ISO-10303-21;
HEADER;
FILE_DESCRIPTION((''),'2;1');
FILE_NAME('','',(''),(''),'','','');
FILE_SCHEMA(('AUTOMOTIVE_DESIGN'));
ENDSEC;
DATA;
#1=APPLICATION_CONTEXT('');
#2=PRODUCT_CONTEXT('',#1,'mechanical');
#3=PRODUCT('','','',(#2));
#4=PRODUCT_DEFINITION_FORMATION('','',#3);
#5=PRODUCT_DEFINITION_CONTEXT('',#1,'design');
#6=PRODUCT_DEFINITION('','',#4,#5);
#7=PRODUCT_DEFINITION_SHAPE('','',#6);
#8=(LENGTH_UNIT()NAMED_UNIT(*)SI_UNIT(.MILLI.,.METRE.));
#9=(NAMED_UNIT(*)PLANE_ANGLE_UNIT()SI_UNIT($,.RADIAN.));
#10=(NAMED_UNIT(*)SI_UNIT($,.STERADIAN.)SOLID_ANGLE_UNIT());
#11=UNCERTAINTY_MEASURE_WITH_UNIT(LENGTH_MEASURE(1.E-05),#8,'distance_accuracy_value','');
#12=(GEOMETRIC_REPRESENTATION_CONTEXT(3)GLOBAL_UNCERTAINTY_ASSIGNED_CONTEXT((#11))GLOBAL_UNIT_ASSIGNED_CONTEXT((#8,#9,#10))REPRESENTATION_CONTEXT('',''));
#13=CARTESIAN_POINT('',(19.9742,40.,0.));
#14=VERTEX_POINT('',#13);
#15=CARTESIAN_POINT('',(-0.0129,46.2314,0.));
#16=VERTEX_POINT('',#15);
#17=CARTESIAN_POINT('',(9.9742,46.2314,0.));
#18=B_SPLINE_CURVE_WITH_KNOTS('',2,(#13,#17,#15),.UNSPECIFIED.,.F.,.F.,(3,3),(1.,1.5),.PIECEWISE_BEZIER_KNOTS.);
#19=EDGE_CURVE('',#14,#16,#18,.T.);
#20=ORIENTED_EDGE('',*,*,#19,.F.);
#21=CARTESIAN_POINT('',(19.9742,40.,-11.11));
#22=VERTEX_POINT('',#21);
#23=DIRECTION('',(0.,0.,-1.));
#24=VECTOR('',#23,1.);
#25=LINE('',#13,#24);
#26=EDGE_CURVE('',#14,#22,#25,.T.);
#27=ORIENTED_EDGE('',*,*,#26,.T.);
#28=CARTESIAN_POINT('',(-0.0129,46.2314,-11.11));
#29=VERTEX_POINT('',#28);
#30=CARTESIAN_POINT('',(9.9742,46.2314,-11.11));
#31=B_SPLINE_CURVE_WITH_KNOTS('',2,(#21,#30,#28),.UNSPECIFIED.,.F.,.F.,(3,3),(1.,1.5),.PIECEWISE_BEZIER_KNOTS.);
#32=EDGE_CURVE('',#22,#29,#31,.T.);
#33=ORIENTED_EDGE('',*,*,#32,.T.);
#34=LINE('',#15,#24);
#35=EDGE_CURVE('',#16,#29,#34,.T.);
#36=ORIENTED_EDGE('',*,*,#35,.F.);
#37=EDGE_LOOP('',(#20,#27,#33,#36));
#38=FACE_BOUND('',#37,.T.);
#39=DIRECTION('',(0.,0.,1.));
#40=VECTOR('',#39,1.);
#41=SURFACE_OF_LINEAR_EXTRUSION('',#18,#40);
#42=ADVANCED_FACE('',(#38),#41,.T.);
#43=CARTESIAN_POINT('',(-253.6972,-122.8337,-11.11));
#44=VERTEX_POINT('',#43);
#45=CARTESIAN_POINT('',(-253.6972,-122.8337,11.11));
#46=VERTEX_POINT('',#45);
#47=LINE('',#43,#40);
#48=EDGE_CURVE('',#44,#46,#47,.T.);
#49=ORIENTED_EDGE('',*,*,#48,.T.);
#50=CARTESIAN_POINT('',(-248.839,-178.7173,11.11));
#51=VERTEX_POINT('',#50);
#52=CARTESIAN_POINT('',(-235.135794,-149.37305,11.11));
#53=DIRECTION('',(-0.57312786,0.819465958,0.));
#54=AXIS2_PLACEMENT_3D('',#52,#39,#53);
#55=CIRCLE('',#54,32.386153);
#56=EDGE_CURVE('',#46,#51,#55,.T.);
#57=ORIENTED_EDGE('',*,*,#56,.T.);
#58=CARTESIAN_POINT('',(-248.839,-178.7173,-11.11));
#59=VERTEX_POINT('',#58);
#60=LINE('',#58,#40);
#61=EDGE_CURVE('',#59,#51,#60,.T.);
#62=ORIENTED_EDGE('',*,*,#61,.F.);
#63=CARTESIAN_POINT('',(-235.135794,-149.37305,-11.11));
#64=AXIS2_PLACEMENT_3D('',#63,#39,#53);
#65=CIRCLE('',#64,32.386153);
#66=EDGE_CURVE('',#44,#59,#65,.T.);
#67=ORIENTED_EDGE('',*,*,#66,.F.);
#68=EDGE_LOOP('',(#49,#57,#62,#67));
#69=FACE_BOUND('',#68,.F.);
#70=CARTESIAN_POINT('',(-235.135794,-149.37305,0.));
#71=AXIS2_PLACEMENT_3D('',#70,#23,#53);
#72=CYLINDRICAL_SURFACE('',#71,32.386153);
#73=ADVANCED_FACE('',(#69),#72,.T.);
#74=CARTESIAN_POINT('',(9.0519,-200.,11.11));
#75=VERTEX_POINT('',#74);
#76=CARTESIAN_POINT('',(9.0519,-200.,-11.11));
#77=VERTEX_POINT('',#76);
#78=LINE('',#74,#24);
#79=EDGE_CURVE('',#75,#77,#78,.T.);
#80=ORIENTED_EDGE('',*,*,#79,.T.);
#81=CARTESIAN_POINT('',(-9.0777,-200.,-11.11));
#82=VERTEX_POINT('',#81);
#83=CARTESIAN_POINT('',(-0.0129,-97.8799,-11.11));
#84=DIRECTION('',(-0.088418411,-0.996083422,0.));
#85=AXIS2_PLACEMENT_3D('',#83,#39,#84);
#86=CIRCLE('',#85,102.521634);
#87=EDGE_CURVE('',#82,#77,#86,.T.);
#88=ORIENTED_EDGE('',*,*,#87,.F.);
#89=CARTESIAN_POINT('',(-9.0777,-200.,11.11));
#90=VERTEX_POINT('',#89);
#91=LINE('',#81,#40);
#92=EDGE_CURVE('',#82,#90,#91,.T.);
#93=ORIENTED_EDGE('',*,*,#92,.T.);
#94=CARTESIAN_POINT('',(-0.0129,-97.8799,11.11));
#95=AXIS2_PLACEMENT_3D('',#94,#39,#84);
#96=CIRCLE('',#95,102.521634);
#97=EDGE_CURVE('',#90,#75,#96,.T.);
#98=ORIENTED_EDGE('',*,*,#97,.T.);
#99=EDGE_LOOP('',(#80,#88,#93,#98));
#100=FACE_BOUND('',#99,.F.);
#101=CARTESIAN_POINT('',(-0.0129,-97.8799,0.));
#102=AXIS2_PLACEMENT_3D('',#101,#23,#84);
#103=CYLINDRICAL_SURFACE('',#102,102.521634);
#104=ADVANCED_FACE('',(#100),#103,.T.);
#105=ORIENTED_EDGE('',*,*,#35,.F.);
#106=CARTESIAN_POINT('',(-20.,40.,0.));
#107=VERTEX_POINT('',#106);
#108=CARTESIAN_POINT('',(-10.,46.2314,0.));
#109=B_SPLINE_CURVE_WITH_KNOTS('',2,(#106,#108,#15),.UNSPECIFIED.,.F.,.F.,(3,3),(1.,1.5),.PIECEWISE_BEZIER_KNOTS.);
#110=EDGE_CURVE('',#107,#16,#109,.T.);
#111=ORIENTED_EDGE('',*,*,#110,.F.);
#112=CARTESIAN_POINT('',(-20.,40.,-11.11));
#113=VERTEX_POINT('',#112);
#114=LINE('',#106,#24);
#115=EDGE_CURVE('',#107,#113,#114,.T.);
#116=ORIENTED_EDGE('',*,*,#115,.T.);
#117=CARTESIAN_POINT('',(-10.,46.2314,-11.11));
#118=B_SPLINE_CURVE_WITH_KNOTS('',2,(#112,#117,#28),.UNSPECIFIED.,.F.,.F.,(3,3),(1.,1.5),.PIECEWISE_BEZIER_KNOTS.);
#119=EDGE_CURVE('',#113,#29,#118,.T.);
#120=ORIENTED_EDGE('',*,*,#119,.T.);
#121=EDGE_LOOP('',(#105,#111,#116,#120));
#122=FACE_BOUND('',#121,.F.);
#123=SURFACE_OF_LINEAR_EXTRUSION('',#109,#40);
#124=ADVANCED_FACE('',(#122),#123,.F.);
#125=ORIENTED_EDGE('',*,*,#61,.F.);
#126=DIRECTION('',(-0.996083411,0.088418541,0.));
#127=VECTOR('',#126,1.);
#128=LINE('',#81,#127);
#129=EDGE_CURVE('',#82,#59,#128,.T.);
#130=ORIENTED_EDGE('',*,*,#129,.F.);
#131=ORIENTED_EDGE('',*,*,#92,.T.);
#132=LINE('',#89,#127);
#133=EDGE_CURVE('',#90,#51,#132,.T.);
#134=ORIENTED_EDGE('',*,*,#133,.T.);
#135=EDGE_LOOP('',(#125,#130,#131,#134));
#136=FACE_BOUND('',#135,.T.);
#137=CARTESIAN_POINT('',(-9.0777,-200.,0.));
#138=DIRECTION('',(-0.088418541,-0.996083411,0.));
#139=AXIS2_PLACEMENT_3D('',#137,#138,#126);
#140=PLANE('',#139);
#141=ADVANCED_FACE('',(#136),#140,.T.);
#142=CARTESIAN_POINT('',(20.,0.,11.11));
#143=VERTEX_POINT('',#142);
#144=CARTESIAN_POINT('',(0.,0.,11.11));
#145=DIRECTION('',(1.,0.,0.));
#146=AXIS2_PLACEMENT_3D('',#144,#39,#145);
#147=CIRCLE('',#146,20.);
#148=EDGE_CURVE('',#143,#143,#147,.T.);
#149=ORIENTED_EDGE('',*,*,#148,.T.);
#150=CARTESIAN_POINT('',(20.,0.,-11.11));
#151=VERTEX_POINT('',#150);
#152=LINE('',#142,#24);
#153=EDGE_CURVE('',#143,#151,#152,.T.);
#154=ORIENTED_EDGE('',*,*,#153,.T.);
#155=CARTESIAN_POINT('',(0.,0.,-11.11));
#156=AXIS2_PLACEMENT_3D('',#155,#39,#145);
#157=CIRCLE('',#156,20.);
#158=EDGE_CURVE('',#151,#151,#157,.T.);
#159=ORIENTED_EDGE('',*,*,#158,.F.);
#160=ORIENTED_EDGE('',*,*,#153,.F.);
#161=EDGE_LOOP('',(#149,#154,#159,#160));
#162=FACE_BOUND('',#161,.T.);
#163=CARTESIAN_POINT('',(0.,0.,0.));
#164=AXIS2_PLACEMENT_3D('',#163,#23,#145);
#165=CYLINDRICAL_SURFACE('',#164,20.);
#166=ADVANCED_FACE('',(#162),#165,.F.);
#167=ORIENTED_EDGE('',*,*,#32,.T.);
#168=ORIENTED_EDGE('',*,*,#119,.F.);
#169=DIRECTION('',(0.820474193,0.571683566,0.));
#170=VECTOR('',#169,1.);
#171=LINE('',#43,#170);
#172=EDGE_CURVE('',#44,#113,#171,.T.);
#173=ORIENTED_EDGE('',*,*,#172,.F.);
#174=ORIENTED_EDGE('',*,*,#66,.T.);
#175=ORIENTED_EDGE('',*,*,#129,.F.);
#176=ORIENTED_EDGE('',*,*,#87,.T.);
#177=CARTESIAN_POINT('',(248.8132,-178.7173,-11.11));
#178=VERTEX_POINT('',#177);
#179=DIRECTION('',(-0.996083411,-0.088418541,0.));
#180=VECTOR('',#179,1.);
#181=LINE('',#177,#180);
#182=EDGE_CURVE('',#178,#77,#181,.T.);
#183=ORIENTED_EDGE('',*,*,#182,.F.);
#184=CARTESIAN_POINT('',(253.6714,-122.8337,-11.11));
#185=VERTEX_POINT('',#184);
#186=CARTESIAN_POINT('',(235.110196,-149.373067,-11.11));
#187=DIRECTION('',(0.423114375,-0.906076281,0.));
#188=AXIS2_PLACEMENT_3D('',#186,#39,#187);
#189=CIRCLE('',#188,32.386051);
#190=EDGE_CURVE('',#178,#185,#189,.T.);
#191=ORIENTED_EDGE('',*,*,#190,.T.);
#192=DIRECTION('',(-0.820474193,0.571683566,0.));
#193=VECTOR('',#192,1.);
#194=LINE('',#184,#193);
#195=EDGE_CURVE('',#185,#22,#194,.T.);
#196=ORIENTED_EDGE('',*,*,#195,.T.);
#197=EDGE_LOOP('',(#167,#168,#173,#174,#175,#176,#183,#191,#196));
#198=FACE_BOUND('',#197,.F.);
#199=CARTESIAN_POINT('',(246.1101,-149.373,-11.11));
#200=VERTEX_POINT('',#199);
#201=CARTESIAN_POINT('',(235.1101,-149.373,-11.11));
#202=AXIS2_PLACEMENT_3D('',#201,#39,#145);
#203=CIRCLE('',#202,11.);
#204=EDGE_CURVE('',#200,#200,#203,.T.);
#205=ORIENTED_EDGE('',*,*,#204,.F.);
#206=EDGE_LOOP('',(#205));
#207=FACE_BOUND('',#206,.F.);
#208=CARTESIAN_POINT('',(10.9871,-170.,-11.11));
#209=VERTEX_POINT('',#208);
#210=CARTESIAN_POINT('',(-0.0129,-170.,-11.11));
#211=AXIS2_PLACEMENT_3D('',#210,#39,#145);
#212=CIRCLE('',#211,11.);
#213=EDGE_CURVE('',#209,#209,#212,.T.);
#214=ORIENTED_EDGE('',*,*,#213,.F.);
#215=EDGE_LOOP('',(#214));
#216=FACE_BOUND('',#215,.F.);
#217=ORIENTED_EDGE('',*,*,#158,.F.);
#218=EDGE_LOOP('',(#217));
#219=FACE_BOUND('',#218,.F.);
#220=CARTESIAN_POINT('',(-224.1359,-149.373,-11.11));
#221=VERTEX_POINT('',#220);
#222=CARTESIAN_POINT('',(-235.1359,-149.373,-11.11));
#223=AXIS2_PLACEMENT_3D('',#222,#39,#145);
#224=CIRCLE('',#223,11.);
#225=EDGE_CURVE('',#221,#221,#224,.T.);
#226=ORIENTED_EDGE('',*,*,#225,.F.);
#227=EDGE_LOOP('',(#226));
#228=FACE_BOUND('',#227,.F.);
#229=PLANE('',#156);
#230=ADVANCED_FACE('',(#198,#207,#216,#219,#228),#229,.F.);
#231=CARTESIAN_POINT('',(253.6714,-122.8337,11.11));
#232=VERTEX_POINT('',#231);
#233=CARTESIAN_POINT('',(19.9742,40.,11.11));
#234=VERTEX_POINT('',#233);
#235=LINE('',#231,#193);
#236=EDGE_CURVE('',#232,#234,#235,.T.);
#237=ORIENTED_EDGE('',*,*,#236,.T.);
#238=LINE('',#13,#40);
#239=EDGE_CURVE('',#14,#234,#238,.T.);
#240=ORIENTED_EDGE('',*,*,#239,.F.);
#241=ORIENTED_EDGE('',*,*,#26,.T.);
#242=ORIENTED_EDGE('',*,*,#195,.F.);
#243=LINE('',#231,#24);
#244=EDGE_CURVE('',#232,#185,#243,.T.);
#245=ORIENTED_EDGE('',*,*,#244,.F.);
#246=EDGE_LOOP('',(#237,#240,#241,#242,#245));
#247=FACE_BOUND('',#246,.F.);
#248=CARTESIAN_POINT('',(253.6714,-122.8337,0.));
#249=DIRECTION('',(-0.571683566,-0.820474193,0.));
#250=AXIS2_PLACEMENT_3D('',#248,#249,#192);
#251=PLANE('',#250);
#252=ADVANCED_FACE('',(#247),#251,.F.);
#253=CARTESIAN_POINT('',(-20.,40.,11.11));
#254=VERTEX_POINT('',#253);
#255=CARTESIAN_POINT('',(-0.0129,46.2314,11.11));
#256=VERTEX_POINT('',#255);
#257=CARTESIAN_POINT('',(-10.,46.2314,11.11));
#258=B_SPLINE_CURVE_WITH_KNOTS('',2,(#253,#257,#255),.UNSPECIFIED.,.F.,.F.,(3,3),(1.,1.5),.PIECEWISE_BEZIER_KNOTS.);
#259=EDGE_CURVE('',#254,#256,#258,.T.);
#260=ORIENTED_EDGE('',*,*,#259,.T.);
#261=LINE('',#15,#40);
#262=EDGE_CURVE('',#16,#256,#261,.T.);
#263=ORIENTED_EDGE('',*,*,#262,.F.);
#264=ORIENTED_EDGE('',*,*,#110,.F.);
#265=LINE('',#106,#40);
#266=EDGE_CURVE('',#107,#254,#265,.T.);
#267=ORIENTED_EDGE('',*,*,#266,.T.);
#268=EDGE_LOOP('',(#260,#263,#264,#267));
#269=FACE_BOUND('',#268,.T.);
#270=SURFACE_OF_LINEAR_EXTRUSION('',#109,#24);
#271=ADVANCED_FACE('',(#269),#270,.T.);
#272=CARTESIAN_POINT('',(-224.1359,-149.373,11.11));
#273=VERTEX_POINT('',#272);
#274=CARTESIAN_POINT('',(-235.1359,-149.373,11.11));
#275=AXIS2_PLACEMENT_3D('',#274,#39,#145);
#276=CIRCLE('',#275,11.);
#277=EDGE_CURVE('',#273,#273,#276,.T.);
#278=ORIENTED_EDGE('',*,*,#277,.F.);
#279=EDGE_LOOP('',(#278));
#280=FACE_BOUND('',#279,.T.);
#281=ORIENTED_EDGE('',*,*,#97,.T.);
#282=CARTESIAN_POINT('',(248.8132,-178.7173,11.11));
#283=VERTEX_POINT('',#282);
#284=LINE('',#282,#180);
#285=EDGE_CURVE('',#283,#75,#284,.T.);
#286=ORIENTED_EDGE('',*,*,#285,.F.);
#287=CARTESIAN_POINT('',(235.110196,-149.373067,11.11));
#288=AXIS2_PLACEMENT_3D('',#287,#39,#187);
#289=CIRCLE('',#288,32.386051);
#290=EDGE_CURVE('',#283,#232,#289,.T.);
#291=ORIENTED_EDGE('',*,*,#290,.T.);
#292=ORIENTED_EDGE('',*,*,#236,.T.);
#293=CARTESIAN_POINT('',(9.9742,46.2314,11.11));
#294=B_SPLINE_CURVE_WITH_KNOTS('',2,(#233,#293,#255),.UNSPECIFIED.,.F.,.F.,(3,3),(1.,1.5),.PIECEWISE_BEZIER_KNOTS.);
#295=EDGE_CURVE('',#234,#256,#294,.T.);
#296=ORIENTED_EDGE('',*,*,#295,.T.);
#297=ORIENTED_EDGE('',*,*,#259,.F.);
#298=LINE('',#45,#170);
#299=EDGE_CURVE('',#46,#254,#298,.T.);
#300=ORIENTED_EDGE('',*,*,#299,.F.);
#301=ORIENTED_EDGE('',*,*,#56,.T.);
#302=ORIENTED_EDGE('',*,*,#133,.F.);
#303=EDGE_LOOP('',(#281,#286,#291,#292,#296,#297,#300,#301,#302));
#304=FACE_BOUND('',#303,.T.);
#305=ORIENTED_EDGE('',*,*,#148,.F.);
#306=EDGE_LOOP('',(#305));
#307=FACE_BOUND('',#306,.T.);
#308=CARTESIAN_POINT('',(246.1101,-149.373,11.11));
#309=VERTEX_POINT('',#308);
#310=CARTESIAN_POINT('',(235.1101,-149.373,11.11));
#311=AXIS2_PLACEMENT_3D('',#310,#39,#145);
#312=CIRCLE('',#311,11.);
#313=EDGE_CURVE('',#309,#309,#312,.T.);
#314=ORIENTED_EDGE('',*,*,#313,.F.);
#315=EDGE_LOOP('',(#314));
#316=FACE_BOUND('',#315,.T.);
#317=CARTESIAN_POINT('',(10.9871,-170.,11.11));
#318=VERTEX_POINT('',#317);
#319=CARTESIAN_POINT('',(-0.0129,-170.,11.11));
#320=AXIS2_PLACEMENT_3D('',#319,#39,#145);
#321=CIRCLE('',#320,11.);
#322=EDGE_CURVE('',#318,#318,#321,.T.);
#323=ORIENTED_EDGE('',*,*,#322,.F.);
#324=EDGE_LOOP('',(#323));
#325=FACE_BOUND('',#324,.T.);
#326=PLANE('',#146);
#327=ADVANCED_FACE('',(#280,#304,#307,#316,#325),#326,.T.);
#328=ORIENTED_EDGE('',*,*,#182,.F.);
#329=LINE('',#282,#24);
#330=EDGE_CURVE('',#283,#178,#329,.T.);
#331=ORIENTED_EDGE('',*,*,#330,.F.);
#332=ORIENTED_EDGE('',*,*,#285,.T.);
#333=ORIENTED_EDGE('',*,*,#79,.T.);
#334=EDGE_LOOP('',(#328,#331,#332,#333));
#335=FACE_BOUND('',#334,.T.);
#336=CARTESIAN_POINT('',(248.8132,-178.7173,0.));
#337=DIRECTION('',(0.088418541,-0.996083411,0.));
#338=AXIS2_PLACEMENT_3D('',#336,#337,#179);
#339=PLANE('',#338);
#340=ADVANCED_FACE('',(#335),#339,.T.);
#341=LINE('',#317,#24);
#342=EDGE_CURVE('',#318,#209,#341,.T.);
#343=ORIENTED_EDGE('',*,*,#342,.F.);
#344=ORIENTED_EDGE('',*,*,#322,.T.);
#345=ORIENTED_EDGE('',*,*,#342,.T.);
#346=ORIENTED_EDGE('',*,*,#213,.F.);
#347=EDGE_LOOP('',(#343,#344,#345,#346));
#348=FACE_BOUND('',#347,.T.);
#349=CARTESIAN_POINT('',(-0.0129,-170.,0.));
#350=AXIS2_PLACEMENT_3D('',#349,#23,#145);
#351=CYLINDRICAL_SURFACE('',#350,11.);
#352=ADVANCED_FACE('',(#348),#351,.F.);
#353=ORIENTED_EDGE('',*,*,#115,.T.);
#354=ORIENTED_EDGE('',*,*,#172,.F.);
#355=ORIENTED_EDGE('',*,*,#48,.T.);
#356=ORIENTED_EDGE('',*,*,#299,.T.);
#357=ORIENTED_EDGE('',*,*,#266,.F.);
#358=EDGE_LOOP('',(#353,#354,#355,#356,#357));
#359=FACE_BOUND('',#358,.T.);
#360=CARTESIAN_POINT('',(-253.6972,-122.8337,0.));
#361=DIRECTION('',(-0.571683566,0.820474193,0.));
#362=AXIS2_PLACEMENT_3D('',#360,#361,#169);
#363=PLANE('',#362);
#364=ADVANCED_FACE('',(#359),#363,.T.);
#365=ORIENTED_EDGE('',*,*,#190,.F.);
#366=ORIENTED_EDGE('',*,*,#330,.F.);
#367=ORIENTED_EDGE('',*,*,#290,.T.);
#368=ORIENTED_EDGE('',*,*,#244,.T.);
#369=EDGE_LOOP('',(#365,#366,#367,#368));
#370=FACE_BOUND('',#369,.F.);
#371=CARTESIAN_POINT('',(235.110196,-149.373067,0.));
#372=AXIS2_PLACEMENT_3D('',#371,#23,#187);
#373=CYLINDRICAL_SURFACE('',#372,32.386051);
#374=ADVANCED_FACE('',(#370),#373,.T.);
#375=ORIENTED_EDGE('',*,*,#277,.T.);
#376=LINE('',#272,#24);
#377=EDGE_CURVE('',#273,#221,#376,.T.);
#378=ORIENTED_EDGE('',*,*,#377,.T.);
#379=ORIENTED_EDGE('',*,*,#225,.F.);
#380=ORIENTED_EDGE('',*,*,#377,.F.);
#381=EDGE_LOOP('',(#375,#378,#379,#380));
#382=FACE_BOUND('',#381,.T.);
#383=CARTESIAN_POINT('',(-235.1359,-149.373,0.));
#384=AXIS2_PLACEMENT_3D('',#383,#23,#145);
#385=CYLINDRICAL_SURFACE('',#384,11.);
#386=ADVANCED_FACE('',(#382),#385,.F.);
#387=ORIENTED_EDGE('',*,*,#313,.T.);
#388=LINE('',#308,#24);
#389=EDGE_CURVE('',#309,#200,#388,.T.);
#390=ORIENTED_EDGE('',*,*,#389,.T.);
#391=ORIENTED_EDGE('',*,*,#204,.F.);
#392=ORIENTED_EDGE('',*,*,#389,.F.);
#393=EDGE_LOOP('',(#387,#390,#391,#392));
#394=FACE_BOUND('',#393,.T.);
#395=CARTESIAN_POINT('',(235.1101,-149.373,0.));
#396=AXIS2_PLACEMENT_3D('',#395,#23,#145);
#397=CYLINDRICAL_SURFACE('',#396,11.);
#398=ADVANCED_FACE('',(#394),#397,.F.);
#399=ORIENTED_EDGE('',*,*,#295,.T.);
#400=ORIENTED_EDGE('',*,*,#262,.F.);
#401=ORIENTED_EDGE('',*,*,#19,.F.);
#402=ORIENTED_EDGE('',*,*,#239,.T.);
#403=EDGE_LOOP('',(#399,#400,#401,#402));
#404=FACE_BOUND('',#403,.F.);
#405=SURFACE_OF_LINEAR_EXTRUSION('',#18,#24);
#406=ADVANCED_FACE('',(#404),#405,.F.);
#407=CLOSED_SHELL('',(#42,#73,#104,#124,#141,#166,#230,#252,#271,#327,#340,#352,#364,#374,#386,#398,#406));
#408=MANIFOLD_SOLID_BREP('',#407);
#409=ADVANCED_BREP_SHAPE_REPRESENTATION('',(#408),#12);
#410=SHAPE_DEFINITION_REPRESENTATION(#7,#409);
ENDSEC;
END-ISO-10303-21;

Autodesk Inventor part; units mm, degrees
ref_plane "YZ Plane" through (0, 0, 0) normal (1, 0, 0) x (0, 1, 0)
ref_plane "XZ Plane" through (0, 0, 0) normal (0, 1, 0) x (-1, 0, 0)
ref_plane "XY Plane" through (0, 0, 0) normal (0, 0, 1) x (1, 0, 0)
sketch "Sketch1" plane through (0, 0, 0) normal (0, 0, 1) x (1, 0, 0)
  circle A0 centre (0, 0) radius 20
  circle A1 centre (-235.1359, -149.373) radius 11
  arc A2 (-253.6972, -122.8337) -> (-248.839, -178.7173) centre (-235.1359, -149.373) ccw
  line L0 (-253.6972, -122.8337) -> (-20, 40)
  line L1 (-20, 40) -> (-10, 46.2314) construction
  spline S0 degree 2 poles (-20, 40) (-10, 46.2314) (-0.0129, 46.2314) knots 1 1 1 1.5 1.5 1.5
  line L2 (-0.0129, 87.1559) -> (-0.0129, -290.9336) construction
  line L3 (-10, 46.2314) -> (-0.0129, 46.2314) construction
  circle A3 centre (235.1101, -149.373) radius 11
  arc A4 (248.8132, -178.7173) -> (253.6714, -122.8337) centre (235.1101, -149.373) ccw
  line L4 (253.6714, -122.8337) -> (19.9742, 40)
  line L5 (19.9742, 40) -> (9.9742, 46.2314) construction
  spline S1 degree 2 poles (19.9742, 40) (9.9742, 46.2314) (-0.0129, 46.2314) knots 1 1 1 1.5 1.5 1.5
  line L6 (9.9742, 46.2314) -> (-0.0129, 46.2314) construction
  circle A5 centre (-0.0129, -170) radius 11
  line L7 (248.8132, -178.7173) -> (9.0519, -200)
  arc A6 (-9.0777, -200) -> (9.0519, -200) centre (-0.0129, -97.8799) ccw
  line L8 (-9.0777, -200) -> (-248.839, -178.7173)
  line L9 (-9.0777, -200) -> (9.0519, -200) construction
  dimension "d0" = 40
  dimension "d3" = 22
  dimension "d9" = 40
  dimension "d12" = 120
  dimension "d18" = 22
  dimension "d19" = 170
  dimension "d22" = 30
extrude "Extrusion2" add sketch "Sketch1" along normal mid plane 22.22
equation "\"d18\" = d3"
properties part number "Corpo_Suporte_3_Cabos_Modelo2"
